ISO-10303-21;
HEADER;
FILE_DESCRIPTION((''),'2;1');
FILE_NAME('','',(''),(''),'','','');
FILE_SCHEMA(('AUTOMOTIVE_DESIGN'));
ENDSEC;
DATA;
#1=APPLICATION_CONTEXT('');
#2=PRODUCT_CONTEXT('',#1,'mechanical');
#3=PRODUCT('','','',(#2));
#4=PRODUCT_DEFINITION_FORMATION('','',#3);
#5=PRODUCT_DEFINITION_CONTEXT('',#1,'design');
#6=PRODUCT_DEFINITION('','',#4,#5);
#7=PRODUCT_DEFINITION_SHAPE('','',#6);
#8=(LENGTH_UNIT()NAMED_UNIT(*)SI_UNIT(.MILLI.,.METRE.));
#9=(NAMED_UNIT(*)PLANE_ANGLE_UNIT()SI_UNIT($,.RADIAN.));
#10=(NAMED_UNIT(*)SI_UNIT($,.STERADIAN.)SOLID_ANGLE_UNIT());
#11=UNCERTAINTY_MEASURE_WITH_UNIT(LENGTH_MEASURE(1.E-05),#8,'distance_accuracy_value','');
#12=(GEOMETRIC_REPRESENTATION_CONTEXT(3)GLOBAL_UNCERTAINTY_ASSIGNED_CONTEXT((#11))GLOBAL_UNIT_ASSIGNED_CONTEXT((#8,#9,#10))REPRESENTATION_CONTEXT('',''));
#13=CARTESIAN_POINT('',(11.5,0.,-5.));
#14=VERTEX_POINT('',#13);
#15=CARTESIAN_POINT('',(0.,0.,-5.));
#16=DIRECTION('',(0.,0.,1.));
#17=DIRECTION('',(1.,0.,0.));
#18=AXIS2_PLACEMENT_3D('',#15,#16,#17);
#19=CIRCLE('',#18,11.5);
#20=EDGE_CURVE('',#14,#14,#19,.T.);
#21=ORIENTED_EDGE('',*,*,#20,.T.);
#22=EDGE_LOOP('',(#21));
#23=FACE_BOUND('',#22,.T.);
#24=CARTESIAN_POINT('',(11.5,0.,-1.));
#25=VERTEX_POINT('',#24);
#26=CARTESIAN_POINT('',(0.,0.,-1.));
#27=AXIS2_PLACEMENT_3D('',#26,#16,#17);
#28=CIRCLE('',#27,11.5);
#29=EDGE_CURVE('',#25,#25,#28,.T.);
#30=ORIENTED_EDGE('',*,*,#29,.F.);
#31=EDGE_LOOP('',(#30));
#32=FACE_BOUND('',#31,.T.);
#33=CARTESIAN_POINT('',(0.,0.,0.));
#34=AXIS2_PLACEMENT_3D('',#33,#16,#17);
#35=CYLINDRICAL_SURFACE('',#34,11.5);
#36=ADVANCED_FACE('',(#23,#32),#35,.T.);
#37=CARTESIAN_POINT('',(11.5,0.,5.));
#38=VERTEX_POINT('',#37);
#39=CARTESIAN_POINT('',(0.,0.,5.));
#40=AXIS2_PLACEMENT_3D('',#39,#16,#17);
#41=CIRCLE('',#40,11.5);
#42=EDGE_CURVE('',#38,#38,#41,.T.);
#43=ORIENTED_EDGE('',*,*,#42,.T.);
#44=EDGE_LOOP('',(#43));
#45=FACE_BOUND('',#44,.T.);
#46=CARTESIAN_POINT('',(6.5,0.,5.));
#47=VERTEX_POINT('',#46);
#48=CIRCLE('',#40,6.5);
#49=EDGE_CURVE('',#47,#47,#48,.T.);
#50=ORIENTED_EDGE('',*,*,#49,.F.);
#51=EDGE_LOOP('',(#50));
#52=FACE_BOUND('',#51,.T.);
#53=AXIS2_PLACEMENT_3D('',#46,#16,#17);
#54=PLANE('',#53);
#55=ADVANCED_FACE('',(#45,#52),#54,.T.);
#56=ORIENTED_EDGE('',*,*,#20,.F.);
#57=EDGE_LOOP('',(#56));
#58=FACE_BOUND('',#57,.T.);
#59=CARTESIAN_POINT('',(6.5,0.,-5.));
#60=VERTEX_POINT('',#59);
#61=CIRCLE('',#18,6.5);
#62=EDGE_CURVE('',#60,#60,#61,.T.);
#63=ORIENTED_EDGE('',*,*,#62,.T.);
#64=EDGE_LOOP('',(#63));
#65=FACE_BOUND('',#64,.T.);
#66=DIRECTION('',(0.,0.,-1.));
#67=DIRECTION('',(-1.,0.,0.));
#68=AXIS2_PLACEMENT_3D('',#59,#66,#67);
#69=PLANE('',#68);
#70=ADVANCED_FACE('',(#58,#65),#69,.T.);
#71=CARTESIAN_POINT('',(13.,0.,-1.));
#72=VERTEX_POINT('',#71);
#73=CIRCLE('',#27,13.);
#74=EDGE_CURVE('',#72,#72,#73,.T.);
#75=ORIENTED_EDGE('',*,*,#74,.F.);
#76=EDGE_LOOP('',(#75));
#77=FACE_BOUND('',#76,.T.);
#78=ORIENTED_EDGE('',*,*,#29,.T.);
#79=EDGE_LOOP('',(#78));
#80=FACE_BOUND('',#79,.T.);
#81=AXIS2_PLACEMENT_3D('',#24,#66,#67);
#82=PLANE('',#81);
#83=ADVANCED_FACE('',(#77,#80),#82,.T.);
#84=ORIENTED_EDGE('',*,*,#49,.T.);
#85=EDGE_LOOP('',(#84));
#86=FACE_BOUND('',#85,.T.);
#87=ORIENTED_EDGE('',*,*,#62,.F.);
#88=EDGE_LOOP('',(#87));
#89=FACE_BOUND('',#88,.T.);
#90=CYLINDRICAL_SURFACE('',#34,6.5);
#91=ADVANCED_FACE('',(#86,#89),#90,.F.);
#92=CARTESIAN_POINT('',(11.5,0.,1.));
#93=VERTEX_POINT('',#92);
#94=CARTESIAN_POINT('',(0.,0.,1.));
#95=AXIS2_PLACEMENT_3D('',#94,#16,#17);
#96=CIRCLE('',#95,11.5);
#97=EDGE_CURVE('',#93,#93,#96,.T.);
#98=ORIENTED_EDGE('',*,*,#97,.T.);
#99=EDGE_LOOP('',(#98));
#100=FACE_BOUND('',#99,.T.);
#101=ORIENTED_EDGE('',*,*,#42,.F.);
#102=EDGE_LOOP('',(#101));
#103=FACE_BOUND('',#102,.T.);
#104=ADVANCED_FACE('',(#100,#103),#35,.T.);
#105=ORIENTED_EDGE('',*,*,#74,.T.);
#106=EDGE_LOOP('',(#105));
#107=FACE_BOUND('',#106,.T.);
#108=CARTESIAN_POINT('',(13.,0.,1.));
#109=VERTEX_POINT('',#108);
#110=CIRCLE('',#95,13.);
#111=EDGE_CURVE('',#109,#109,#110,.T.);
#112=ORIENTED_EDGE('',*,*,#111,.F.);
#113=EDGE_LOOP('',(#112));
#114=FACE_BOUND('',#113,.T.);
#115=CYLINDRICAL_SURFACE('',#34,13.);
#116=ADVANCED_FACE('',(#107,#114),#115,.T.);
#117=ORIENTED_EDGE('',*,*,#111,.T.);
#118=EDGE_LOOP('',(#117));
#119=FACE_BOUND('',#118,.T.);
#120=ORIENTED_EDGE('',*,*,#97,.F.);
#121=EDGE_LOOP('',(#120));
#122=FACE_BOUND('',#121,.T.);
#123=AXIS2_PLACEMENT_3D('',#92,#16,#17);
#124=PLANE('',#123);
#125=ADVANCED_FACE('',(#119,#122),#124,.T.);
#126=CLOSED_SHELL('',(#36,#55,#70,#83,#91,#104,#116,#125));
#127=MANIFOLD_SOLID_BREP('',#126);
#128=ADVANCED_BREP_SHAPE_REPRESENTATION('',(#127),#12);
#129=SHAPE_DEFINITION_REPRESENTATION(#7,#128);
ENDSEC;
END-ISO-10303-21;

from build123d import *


with BuildPart() as part:
    # 草图1 → 旋转1 (revolve)
    with BuildSketch(Plane(origin=(0, 0, 0), x_dir=(1, 0, 0), z_dir=(0, 1, 0))):
        Polygon((11.5, 5), (11.5, 1), (13, 1), (13, -1), (11.5, -1), (11.5, -5), (6.5, -5), (6.5, 5), align=None)
    revolve(axis=Axis((0, 0, 0), (0, 0, -1)))


solid = part.part
